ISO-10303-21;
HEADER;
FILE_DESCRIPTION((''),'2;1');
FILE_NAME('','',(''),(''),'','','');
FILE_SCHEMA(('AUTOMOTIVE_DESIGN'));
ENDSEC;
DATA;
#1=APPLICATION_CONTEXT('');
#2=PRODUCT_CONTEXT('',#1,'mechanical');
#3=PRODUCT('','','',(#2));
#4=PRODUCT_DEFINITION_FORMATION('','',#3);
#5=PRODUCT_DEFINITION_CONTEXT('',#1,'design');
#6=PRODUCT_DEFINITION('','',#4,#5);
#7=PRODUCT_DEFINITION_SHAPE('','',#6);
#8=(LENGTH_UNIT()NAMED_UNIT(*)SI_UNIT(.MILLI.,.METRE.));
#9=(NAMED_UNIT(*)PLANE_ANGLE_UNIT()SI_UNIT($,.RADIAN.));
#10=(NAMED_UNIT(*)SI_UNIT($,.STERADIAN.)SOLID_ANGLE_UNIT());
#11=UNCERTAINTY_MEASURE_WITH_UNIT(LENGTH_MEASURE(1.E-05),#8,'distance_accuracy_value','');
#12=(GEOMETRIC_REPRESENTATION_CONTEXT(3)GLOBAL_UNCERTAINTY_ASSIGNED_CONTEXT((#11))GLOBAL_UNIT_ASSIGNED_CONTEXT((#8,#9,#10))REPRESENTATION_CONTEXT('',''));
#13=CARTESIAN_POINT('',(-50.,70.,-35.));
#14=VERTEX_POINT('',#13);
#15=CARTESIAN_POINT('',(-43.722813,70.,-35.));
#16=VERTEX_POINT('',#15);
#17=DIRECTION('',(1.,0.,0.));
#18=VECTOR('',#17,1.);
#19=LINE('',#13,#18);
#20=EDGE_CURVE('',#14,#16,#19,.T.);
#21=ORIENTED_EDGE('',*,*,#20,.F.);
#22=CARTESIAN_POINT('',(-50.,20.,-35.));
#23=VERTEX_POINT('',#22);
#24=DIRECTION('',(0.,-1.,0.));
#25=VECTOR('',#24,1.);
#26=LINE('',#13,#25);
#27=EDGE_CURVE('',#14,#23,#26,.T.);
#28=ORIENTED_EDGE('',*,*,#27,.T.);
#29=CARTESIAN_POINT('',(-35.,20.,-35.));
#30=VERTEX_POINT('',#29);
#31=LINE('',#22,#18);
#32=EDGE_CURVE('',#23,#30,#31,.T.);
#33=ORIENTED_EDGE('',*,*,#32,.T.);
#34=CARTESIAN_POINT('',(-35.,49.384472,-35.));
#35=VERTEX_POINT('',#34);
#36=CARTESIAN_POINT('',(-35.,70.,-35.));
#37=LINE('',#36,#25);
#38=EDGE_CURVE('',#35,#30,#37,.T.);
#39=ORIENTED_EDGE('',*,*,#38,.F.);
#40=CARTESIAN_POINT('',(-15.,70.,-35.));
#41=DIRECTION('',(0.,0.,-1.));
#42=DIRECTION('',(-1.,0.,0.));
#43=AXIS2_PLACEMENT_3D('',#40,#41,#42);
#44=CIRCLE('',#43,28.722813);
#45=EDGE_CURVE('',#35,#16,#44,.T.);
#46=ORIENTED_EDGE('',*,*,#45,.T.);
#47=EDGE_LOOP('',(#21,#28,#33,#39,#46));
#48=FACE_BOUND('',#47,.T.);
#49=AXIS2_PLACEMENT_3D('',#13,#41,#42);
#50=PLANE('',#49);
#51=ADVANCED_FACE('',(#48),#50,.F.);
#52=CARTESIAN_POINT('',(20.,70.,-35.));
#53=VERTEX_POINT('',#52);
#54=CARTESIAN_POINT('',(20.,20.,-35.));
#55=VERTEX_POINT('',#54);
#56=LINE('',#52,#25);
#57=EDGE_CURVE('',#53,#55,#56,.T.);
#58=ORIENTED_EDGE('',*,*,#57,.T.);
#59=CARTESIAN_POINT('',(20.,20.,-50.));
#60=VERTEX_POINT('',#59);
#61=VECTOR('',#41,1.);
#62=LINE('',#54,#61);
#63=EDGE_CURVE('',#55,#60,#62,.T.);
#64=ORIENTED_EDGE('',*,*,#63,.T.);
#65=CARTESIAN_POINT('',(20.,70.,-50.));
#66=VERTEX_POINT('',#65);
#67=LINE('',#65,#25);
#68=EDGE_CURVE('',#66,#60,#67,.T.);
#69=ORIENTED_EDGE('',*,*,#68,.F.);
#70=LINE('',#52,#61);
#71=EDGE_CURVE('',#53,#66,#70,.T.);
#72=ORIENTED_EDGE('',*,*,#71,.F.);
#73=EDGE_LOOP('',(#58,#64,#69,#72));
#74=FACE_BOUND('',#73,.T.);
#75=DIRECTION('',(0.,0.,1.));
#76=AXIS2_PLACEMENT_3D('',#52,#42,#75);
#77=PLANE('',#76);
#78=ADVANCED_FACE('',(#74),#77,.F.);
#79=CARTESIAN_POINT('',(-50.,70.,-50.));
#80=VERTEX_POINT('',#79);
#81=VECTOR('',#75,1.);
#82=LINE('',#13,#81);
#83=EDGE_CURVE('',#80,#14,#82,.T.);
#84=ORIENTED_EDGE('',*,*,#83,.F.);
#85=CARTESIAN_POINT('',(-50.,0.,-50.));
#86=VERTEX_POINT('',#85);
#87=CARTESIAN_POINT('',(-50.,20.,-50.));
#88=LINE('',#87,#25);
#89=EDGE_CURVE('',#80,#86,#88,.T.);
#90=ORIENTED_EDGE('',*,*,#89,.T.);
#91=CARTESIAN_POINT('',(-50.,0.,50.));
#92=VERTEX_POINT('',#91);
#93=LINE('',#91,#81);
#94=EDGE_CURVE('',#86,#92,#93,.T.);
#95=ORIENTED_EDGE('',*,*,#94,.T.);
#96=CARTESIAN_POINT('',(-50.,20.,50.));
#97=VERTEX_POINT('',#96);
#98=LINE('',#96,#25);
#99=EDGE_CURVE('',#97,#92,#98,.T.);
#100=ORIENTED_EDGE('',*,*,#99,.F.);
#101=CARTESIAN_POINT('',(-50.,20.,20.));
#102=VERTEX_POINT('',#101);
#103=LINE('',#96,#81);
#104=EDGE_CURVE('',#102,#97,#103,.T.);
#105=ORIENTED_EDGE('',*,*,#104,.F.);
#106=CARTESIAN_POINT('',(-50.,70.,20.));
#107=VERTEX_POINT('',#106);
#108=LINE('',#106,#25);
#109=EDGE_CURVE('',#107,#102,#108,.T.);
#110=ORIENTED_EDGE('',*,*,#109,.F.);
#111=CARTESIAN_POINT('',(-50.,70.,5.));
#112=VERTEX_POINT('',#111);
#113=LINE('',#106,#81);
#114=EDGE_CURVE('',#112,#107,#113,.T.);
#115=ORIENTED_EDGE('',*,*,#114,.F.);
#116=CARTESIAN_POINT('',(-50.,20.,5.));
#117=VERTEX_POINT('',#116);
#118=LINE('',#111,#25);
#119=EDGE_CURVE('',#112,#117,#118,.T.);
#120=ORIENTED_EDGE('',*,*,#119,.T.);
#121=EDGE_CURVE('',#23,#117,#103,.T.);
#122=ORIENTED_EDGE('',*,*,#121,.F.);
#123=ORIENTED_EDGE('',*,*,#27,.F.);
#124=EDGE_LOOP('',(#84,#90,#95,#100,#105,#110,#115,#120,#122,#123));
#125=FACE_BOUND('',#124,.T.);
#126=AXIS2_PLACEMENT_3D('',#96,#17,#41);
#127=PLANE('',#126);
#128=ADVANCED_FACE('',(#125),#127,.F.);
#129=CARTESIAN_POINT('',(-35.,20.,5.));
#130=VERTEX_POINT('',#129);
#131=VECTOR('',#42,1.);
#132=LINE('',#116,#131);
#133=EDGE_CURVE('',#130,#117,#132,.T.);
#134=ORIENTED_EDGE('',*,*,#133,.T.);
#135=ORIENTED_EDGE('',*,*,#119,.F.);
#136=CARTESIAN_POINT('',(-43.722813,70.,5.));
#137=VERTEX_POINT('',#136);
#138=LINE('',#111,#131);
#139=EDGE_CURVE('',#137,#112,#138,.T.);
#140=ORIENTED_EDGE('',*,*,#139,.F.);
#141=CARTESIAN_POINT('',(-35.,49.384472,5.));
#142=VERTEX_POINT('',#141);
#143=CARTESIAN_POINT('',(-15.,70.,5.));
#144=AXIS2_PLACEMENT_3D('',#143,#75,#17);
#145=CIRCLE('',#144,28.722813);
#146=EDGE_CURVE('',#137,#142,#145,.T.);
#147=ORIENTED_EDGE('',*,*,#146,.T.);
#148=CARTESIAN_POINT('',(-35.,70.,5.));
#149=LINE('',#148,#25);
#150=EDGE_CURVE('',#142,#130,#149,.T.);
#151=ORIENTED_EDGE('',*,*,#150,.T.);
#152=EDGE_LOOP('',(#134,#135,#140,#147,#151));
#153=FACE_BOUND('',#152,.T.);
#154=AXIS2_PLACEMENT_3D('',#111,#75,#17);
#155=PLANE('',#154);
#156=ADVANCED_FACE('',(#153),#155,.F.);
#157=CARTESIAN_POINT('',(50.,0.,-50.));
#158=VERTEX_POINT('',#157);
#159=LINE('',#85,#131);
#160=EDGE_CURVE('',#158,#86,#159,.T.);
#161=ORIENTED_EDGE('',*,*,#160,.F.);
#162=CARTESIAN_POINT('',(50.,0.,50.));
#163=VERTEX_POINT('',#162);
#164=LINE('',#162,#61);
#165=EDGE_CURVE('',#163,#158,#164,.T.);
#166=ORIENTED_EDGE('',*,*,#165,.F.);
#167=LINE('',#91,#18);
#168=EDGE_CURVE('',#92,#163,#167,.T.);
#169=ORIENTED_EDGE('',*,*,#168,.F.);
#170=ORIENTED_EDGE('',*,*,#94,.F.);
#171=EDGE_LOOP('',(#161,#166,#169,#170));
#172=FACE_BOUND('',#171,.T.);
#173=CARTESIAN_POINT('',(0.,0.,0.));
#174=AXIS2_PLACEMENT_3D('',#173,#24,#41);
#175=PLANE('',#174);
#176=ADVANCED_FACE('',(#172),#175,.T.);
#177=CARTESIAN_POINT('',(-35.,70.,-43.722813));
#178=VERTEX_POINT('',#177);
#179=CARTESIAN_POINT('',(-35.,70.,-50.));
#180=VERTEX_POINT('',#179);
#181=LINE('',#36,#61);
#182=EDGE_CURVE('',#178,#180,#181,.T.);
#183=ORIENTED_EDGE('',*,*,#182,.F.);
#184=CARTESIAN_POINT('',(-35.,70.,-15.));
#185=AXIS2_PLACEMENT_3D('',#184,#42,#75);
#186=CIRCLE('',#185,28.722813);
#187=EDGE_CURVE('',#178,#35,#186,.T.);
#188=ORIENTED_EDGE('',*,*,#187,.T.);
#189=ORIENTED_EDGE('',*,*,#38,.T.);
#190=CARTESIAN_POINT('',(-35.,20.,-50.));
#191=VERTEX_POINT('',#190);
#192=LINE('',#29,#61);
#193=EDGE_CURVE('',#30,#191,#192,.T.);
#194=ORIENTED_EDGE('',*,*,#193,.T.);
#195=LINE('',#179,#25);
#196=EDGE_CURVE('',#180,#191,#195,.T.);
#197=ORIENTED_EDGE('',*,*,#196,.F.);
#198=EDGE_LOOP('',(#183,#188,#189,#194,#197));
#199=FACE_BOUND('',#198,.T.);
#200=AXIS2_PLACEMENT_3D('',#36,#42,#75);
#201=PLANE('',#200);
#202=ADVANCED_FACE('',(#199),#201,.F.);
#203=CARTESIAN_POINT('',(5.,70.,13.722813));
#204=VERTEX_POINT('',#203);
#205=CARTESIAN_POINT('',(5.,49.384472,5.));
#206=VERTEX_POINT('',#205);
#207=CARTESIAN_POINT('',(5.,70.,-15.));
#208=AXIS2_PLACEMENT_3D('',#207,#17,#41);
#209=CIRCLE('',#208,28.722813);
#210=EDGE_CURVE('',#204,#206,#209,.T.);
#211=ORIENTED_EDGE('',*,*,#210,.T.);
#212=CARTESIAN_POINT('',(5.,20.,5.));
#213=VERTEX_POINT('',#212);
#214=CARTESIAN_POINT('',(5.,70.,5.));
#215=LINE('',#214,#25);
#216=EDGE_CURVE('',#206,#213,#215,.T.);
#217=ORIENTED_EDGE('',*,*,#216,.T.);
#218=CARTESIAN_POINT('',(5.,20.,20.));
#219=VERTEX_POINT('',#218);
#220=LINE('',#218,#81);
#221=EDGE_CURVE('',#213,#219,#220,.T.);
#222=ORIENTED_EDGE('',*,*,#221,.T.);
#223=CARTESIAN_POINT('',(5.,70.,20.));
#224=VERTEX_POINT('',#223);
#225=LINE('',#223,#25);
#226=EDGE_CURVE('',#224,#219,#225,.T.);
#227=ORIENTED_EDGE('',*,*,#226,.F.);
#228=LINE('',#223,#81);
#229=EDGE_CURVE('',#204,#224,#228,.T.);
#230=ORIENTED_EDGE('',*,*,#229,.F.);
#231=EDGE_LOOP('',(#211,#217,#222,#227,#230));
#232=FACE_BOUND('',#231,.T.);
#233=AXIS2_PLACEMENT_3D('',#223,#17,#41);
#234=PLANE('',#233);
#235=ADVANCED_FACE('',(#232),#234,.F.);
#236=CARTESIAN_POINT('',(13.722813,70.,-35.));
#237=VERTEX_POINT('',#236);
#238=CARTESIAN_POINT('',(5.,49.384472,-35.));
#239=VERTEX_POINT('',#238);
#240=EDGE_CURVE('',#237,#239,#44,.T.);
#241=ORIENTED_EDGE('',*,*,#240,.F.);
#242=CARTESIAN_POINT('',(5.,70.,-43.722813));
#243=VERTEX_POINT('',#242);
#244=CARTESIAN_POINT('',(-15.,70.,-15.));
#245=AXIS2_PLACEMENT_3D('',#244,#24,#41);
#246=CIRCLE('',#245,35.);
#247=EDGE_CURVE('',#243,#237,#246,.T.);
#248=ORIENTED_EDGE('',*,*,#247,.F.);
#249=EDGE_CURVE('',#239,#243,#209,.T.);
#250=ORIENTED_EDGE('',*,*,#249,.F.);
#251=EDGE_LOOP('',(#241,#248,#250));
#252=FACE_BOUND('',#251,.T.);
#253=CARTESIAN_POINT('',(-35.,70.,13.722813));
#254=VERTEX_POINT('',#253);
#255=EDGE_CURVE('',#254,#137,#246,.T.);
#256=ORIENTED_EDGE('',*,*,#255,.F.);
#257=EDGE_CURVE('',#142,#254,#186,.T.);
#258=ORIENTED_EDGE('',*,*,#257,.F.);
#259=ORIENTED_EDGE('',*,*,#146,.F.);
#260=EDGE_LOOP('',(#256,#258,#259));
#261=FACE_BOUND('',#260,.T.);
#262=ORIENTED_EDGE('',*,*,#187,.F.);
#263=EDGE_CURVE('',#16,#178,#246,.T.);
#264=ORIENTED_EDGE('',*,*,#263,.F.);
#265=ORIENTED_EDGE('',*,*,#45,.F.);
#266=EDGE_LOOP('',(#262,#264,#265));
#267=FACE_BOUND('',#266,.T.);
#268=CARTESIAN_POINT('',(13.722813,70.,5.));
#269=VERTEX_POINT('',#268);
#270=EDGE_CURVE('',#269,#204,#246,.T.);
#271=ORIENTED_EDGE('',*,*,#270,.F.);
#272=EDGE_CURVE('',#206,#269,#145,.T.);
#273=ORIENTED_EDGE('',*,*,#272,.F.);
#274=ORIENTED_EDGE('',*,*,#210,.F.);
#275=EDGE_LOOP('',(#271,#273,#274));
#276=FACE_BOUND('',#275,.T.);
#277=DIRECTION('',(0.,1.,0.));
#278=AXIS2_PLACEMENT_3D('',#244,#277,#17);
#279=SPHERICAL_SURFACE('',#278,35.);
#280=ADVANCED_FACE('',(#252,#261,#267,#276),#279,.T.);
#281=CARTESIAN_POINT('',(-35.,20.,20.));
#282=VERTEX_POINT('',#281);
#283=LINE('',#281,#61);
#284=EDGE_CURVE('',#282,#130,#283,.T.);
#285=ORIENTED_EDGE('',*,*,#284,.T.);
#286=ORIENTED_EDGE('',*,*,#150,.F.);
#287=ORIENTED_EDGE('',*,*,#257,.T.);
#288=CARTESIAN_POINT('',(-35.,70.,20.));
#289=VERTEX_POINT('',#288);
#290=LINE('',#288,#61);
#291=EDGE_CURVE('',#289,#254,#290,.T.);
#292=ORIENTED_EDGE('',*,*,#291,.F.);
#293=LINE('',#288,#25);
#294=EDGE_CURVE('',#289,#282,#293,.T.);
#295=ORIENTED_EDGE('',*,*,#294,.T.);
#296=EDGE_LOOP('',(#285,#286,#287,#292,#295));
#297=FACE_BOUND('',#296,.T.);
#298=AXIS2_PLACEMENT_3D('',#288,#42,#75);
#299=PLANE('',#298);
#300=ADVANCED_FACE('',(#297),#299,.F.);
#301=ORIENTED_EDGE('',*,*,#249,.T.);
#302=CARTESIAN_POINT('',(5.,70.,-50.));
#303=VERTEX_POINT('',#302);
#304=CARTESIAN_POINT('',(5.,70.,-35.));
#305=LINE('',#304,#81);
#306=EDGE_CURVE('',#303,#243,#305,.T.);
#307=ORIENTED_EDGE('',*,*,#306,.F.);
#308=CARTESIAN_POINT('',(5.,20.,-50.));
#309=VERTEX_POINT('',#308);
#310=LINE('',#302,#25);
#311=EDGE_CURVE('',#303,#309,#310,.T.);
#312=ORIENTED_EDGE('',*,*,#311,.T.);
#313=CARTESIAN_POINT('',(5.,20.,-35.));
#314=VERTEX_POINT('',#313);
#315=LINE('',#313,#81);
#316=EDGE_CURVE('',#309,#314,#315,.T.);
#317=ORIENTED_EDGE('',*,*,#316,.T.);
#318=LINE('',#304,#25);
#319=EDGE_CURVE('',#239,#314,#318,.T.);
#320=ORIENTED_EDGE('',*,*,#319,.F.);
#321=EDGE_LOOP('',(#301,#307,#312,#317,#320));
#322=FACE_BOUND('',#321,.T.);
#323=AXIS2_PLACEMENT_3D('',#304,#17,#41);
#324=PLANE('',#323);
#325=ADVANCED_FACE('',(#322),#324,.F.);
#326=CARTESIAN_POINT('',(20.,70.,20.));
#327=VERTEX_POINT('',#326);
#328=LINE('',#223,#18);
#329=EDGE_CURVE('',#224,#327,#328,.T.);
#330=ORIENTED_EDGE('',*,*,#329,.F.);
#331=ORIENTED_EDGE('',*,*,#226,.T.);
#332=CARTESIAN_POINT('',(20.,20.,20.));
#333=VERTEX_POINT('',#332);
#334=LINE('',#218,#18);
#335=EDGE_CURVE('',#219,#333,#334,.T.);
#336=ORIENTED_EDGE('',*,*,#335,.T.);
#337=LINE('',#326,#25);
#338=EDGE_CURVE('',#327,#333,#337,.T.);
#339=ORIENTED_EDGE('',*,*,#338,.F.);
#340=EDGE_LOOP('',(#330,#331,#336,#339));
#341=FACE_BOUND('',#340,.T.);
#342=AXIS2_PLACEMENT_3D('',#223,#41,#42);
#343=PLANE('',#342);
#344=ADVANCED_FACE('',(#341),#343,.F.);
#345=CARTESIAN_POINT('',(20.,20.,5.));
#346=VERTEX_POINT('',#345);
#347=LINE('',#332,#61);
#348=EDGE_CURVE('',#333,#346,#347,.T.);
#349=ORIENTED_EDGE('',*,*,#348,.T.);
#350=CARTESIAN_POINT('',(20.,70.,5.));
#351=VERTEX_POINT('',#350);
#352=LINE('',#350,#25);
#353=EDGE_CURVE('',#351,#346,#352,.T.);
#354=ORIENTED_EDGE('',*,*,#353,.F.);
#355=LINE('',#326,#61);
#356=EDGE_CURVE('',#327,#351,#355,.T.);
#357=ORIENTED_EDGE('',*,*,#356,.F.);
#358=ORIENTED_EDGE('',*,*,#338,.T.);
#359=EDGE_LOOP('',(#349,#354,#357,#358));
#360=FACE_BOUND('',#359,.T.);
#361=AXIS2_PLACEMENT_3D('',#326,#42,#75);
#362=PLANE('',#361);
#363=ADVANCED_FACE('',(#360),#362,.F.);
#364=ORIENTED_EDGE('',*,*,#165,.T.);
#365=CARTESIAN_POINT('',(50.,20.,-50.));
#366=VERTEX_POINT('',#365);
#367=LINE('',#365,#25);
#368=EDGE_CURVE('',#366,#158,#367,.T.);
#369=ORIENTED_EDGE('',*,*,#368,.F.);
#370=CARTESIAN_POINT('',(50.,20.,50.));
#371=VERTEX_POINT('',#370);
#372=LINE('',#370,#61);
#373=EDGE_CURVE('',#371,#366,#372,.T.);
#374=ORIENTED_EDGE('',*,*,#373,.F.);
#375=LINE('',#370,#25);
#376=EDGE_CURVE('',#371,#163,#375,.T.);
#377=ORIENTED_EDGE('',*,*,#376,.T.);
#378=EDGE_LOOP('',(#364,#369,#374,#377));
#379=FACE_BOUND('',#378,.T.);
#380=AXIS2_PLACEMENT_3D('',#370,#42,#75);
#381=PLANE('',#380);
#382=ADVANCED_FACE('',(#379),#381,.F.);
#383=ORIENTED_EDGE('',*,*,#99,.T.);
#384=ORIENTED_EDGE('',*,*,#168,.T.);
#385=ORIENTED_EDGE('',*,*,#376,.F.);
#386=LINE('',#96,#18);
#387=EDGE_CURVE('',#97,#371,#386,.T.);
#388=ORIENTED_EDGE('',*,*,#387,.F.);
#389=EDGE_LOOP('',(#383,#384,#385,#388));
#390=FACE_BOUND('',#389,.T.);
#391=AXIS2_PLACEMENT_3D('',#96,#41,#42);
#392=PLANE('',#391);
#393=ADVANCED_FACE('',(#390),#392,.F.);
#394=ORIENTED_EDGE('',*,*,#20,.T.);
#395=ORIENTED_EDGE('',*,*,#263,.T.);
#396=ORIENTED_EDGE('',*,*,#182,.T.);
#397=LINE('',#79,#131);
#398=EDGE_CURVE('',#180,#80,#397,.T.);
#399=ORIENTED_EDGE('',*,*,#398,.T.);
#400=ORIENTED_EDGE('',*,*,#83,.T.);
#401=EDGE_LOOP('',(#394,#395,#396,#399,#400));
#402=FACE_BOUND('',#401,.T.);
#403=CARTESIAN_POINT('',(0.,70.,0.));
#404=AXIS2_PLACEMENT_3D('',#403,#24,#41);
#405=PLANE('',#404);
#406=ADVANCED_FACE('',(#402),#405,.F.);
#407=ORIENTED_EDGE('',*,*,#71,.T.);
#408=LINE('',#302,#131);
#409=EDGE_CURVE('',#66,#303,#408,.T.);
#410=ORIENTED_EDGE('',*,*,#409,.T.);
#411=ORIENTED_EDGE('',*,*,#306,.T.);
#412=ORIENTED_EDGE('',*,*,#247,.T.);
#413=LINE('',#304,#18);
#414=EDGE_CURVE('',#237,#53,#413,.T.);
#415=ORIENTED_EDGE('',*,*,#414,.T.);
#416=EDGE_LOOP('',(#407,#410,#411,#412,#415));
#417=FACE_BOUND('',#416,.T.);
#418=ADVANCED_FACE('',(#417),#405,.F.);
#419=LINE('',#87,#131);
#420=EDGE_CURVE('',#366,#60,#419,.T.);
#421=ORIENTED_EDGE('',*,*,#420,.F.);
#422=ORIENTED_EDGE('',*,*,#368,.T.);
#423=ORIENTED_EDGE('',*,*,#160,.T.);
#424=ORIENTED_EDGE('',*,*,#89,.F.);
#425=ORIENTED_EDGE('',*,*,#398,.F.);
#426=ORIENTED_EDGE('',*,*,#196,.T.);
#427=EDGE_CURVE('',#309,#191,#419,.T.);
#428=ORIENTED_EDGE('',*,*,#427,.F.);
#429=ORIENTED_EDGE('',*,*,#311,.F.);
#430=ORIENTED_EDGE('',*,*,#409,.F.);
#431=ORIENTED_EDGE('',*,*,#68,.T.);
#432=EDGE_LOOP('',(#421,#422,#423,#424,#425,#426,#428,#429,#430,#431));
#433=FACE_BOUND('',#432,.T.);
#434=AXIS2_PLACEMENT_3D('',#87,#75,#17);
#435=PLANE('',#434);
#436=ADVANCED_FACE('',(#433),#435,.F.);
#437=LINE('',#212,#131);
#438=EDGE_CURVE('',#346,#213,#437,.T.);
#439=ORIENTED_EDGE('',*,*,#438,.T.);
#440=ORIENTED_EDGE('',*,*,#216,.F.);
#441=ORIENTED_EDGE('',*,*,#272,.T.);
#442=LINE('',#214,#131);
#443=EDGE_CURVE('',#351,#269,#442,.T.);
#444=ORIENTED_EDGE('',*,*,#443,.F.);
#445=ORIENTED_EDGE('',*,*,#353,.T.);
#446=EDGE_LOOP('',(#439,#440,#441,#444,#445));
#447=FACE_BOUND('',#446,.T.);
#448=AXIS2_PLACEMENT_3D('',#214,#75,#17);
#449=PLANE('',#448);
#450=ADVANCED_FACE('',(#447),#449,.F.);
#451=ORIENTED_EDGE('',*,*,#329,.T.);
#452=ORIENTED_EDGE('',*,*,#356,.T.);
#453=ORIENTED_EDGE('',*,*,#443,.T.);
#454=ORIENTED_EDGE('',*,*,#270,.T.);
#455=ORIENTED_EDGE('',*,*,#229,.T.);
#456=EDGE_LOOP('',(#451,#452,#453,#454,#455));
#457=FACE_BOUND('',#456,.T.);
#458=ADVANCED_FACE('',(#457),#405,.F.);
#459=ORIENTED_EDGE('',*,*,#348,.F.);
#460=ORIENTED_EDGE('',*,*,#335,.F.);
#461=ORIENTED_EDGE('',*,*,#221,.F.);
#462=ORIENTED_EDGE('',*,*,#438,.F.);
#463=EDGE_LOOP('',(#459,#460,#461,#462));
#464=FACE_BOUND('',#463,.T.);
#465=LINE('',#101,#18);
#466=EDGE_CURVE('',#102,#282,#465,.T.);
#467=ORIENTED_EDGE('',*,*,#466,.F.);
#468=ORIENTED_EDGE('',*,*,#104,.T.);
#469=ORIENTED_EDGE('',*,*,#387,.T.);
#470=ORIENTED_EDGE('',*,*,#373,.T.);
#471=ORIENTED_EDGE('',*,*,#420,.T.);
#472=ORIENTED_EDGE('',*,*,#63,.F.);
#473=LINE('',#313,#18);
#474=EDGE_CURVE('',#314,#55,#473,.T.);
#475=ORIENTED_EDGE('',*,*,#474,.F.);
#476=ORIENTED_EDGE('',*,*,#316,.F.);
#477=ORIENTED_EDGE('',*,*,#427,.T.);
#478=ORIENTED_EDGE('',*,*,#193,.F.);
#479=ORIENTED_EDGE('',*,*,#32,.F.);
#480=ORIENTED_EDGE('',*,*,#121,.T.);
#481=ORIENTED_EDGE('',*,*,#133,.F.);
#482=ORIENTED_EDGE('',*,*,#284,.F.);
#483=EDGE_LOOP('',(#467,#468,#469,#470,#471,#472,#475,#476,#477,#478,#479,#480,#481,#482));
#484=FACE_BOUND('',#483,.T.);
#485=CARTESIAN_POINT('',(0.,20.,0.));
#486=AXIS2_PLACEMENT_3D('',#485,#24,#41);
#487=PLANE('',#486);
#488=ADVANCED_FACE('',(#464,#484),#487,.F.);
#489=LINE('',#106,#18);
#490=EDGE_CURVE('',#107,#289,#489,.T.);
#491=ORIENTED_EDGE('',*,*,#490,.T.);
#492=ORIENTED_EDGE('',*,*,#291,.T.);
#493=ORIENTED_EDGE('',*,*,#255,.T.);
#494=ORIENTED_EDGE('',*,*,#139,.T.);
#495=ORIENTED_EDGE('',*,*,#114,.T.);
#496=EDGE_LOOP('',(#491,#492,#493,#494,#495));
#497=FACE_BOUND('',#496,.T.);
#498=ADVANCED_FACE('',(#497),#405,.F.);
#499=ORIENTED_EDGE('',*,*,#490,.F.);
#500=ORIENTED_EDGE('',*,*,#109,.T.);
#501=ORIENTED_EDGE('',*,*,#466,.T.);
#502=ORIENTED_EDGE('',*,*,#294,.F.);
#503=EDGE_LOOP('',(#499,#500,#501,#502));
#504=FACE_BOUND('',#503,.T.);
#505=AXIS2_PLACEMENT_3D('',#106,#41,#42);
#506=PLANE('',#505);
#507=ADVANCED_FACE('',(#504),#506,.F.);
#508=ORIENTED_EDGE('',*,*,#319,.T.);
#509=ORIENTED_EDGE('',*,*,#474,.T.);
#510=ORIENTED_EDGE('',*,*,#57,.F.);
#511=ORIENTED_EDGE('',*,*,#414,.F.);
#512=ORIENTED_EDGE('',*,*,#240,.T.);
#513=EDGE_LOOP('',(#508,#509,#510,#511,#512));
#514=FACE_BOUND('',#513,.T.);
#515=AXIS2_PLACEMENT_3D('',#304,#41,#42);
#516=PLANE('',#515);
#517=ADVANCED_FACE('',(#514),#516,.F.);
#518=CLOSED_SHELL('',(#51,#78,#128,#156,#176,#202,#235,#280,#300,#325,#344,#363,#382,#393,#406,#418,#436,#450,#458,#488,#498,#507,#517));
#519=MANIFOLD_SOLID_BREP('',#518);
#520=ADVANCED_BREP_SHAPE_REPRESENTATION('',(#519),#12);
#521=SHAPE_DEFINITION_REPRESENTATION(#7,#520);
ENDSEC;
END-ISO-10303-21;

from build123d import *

# Parameters (mm, degrees)
CROQUIS1_W              = 100
CROQUIS1_H              = 100
SALIENTE_EXTRUIR1_DEPTH = 20
CROQUIS2_W              = 15
CROQUIS2_H              = 15
SALIENTE_EXTRUIR2_DEPTH = 50


with BuildPart() as part:
    # Croquis1 → Saliente-Extruir1 (new body)
    with BuildSketch(Plane(origin=(0, 0, 0), x_dir=(1, 0, 0), z_dir=(0, 1, 0))):
        Rectangle(CROQUIS1_W, CROQUIS1_H)
    extrude(amount=SALIENTE_EXTRUIR1_DEPTH)

    # Croquis2 → Saliente-Extruir2 (add)
    with BuildSketch(Plane(origin=(0, 20, 0), x_dir=(1, 0, 0), z_dir=(0, 1, 0))):
        with Locations((-42.5, -12.5)):
            Rectangle(CROQUIS2_W, CROQUIS2_H)
        with Locations((-42.5, 42.5)):
            Rectangle(CROQUIS2_W, CROQUIS2_H)
        with Locations((12.5, 42.5)):
            Rectangle(CROQUIS2_W, CROQUIS2_H)
        with Locations((12.5, -12.5)):
            Rectangle(CROQUIS2_W, CROQUIS2_H)
    extrude(amount=SALIENTE_EXTRUIR2_DEPTH)

    # Croquis4 → Revolución1 (revolve)
    with BuildSketch(Plane.XY.offset(-15)):
        with BuildLine():
            Line((-15, 105), (-15, 35))
            ThreePointArc((-15, 35), (-50, 70), (-15, 105))
        make_face()
    revolve(axis=Axis((-15, 105, -15), (0, -1, 0)))


solid = part.part
